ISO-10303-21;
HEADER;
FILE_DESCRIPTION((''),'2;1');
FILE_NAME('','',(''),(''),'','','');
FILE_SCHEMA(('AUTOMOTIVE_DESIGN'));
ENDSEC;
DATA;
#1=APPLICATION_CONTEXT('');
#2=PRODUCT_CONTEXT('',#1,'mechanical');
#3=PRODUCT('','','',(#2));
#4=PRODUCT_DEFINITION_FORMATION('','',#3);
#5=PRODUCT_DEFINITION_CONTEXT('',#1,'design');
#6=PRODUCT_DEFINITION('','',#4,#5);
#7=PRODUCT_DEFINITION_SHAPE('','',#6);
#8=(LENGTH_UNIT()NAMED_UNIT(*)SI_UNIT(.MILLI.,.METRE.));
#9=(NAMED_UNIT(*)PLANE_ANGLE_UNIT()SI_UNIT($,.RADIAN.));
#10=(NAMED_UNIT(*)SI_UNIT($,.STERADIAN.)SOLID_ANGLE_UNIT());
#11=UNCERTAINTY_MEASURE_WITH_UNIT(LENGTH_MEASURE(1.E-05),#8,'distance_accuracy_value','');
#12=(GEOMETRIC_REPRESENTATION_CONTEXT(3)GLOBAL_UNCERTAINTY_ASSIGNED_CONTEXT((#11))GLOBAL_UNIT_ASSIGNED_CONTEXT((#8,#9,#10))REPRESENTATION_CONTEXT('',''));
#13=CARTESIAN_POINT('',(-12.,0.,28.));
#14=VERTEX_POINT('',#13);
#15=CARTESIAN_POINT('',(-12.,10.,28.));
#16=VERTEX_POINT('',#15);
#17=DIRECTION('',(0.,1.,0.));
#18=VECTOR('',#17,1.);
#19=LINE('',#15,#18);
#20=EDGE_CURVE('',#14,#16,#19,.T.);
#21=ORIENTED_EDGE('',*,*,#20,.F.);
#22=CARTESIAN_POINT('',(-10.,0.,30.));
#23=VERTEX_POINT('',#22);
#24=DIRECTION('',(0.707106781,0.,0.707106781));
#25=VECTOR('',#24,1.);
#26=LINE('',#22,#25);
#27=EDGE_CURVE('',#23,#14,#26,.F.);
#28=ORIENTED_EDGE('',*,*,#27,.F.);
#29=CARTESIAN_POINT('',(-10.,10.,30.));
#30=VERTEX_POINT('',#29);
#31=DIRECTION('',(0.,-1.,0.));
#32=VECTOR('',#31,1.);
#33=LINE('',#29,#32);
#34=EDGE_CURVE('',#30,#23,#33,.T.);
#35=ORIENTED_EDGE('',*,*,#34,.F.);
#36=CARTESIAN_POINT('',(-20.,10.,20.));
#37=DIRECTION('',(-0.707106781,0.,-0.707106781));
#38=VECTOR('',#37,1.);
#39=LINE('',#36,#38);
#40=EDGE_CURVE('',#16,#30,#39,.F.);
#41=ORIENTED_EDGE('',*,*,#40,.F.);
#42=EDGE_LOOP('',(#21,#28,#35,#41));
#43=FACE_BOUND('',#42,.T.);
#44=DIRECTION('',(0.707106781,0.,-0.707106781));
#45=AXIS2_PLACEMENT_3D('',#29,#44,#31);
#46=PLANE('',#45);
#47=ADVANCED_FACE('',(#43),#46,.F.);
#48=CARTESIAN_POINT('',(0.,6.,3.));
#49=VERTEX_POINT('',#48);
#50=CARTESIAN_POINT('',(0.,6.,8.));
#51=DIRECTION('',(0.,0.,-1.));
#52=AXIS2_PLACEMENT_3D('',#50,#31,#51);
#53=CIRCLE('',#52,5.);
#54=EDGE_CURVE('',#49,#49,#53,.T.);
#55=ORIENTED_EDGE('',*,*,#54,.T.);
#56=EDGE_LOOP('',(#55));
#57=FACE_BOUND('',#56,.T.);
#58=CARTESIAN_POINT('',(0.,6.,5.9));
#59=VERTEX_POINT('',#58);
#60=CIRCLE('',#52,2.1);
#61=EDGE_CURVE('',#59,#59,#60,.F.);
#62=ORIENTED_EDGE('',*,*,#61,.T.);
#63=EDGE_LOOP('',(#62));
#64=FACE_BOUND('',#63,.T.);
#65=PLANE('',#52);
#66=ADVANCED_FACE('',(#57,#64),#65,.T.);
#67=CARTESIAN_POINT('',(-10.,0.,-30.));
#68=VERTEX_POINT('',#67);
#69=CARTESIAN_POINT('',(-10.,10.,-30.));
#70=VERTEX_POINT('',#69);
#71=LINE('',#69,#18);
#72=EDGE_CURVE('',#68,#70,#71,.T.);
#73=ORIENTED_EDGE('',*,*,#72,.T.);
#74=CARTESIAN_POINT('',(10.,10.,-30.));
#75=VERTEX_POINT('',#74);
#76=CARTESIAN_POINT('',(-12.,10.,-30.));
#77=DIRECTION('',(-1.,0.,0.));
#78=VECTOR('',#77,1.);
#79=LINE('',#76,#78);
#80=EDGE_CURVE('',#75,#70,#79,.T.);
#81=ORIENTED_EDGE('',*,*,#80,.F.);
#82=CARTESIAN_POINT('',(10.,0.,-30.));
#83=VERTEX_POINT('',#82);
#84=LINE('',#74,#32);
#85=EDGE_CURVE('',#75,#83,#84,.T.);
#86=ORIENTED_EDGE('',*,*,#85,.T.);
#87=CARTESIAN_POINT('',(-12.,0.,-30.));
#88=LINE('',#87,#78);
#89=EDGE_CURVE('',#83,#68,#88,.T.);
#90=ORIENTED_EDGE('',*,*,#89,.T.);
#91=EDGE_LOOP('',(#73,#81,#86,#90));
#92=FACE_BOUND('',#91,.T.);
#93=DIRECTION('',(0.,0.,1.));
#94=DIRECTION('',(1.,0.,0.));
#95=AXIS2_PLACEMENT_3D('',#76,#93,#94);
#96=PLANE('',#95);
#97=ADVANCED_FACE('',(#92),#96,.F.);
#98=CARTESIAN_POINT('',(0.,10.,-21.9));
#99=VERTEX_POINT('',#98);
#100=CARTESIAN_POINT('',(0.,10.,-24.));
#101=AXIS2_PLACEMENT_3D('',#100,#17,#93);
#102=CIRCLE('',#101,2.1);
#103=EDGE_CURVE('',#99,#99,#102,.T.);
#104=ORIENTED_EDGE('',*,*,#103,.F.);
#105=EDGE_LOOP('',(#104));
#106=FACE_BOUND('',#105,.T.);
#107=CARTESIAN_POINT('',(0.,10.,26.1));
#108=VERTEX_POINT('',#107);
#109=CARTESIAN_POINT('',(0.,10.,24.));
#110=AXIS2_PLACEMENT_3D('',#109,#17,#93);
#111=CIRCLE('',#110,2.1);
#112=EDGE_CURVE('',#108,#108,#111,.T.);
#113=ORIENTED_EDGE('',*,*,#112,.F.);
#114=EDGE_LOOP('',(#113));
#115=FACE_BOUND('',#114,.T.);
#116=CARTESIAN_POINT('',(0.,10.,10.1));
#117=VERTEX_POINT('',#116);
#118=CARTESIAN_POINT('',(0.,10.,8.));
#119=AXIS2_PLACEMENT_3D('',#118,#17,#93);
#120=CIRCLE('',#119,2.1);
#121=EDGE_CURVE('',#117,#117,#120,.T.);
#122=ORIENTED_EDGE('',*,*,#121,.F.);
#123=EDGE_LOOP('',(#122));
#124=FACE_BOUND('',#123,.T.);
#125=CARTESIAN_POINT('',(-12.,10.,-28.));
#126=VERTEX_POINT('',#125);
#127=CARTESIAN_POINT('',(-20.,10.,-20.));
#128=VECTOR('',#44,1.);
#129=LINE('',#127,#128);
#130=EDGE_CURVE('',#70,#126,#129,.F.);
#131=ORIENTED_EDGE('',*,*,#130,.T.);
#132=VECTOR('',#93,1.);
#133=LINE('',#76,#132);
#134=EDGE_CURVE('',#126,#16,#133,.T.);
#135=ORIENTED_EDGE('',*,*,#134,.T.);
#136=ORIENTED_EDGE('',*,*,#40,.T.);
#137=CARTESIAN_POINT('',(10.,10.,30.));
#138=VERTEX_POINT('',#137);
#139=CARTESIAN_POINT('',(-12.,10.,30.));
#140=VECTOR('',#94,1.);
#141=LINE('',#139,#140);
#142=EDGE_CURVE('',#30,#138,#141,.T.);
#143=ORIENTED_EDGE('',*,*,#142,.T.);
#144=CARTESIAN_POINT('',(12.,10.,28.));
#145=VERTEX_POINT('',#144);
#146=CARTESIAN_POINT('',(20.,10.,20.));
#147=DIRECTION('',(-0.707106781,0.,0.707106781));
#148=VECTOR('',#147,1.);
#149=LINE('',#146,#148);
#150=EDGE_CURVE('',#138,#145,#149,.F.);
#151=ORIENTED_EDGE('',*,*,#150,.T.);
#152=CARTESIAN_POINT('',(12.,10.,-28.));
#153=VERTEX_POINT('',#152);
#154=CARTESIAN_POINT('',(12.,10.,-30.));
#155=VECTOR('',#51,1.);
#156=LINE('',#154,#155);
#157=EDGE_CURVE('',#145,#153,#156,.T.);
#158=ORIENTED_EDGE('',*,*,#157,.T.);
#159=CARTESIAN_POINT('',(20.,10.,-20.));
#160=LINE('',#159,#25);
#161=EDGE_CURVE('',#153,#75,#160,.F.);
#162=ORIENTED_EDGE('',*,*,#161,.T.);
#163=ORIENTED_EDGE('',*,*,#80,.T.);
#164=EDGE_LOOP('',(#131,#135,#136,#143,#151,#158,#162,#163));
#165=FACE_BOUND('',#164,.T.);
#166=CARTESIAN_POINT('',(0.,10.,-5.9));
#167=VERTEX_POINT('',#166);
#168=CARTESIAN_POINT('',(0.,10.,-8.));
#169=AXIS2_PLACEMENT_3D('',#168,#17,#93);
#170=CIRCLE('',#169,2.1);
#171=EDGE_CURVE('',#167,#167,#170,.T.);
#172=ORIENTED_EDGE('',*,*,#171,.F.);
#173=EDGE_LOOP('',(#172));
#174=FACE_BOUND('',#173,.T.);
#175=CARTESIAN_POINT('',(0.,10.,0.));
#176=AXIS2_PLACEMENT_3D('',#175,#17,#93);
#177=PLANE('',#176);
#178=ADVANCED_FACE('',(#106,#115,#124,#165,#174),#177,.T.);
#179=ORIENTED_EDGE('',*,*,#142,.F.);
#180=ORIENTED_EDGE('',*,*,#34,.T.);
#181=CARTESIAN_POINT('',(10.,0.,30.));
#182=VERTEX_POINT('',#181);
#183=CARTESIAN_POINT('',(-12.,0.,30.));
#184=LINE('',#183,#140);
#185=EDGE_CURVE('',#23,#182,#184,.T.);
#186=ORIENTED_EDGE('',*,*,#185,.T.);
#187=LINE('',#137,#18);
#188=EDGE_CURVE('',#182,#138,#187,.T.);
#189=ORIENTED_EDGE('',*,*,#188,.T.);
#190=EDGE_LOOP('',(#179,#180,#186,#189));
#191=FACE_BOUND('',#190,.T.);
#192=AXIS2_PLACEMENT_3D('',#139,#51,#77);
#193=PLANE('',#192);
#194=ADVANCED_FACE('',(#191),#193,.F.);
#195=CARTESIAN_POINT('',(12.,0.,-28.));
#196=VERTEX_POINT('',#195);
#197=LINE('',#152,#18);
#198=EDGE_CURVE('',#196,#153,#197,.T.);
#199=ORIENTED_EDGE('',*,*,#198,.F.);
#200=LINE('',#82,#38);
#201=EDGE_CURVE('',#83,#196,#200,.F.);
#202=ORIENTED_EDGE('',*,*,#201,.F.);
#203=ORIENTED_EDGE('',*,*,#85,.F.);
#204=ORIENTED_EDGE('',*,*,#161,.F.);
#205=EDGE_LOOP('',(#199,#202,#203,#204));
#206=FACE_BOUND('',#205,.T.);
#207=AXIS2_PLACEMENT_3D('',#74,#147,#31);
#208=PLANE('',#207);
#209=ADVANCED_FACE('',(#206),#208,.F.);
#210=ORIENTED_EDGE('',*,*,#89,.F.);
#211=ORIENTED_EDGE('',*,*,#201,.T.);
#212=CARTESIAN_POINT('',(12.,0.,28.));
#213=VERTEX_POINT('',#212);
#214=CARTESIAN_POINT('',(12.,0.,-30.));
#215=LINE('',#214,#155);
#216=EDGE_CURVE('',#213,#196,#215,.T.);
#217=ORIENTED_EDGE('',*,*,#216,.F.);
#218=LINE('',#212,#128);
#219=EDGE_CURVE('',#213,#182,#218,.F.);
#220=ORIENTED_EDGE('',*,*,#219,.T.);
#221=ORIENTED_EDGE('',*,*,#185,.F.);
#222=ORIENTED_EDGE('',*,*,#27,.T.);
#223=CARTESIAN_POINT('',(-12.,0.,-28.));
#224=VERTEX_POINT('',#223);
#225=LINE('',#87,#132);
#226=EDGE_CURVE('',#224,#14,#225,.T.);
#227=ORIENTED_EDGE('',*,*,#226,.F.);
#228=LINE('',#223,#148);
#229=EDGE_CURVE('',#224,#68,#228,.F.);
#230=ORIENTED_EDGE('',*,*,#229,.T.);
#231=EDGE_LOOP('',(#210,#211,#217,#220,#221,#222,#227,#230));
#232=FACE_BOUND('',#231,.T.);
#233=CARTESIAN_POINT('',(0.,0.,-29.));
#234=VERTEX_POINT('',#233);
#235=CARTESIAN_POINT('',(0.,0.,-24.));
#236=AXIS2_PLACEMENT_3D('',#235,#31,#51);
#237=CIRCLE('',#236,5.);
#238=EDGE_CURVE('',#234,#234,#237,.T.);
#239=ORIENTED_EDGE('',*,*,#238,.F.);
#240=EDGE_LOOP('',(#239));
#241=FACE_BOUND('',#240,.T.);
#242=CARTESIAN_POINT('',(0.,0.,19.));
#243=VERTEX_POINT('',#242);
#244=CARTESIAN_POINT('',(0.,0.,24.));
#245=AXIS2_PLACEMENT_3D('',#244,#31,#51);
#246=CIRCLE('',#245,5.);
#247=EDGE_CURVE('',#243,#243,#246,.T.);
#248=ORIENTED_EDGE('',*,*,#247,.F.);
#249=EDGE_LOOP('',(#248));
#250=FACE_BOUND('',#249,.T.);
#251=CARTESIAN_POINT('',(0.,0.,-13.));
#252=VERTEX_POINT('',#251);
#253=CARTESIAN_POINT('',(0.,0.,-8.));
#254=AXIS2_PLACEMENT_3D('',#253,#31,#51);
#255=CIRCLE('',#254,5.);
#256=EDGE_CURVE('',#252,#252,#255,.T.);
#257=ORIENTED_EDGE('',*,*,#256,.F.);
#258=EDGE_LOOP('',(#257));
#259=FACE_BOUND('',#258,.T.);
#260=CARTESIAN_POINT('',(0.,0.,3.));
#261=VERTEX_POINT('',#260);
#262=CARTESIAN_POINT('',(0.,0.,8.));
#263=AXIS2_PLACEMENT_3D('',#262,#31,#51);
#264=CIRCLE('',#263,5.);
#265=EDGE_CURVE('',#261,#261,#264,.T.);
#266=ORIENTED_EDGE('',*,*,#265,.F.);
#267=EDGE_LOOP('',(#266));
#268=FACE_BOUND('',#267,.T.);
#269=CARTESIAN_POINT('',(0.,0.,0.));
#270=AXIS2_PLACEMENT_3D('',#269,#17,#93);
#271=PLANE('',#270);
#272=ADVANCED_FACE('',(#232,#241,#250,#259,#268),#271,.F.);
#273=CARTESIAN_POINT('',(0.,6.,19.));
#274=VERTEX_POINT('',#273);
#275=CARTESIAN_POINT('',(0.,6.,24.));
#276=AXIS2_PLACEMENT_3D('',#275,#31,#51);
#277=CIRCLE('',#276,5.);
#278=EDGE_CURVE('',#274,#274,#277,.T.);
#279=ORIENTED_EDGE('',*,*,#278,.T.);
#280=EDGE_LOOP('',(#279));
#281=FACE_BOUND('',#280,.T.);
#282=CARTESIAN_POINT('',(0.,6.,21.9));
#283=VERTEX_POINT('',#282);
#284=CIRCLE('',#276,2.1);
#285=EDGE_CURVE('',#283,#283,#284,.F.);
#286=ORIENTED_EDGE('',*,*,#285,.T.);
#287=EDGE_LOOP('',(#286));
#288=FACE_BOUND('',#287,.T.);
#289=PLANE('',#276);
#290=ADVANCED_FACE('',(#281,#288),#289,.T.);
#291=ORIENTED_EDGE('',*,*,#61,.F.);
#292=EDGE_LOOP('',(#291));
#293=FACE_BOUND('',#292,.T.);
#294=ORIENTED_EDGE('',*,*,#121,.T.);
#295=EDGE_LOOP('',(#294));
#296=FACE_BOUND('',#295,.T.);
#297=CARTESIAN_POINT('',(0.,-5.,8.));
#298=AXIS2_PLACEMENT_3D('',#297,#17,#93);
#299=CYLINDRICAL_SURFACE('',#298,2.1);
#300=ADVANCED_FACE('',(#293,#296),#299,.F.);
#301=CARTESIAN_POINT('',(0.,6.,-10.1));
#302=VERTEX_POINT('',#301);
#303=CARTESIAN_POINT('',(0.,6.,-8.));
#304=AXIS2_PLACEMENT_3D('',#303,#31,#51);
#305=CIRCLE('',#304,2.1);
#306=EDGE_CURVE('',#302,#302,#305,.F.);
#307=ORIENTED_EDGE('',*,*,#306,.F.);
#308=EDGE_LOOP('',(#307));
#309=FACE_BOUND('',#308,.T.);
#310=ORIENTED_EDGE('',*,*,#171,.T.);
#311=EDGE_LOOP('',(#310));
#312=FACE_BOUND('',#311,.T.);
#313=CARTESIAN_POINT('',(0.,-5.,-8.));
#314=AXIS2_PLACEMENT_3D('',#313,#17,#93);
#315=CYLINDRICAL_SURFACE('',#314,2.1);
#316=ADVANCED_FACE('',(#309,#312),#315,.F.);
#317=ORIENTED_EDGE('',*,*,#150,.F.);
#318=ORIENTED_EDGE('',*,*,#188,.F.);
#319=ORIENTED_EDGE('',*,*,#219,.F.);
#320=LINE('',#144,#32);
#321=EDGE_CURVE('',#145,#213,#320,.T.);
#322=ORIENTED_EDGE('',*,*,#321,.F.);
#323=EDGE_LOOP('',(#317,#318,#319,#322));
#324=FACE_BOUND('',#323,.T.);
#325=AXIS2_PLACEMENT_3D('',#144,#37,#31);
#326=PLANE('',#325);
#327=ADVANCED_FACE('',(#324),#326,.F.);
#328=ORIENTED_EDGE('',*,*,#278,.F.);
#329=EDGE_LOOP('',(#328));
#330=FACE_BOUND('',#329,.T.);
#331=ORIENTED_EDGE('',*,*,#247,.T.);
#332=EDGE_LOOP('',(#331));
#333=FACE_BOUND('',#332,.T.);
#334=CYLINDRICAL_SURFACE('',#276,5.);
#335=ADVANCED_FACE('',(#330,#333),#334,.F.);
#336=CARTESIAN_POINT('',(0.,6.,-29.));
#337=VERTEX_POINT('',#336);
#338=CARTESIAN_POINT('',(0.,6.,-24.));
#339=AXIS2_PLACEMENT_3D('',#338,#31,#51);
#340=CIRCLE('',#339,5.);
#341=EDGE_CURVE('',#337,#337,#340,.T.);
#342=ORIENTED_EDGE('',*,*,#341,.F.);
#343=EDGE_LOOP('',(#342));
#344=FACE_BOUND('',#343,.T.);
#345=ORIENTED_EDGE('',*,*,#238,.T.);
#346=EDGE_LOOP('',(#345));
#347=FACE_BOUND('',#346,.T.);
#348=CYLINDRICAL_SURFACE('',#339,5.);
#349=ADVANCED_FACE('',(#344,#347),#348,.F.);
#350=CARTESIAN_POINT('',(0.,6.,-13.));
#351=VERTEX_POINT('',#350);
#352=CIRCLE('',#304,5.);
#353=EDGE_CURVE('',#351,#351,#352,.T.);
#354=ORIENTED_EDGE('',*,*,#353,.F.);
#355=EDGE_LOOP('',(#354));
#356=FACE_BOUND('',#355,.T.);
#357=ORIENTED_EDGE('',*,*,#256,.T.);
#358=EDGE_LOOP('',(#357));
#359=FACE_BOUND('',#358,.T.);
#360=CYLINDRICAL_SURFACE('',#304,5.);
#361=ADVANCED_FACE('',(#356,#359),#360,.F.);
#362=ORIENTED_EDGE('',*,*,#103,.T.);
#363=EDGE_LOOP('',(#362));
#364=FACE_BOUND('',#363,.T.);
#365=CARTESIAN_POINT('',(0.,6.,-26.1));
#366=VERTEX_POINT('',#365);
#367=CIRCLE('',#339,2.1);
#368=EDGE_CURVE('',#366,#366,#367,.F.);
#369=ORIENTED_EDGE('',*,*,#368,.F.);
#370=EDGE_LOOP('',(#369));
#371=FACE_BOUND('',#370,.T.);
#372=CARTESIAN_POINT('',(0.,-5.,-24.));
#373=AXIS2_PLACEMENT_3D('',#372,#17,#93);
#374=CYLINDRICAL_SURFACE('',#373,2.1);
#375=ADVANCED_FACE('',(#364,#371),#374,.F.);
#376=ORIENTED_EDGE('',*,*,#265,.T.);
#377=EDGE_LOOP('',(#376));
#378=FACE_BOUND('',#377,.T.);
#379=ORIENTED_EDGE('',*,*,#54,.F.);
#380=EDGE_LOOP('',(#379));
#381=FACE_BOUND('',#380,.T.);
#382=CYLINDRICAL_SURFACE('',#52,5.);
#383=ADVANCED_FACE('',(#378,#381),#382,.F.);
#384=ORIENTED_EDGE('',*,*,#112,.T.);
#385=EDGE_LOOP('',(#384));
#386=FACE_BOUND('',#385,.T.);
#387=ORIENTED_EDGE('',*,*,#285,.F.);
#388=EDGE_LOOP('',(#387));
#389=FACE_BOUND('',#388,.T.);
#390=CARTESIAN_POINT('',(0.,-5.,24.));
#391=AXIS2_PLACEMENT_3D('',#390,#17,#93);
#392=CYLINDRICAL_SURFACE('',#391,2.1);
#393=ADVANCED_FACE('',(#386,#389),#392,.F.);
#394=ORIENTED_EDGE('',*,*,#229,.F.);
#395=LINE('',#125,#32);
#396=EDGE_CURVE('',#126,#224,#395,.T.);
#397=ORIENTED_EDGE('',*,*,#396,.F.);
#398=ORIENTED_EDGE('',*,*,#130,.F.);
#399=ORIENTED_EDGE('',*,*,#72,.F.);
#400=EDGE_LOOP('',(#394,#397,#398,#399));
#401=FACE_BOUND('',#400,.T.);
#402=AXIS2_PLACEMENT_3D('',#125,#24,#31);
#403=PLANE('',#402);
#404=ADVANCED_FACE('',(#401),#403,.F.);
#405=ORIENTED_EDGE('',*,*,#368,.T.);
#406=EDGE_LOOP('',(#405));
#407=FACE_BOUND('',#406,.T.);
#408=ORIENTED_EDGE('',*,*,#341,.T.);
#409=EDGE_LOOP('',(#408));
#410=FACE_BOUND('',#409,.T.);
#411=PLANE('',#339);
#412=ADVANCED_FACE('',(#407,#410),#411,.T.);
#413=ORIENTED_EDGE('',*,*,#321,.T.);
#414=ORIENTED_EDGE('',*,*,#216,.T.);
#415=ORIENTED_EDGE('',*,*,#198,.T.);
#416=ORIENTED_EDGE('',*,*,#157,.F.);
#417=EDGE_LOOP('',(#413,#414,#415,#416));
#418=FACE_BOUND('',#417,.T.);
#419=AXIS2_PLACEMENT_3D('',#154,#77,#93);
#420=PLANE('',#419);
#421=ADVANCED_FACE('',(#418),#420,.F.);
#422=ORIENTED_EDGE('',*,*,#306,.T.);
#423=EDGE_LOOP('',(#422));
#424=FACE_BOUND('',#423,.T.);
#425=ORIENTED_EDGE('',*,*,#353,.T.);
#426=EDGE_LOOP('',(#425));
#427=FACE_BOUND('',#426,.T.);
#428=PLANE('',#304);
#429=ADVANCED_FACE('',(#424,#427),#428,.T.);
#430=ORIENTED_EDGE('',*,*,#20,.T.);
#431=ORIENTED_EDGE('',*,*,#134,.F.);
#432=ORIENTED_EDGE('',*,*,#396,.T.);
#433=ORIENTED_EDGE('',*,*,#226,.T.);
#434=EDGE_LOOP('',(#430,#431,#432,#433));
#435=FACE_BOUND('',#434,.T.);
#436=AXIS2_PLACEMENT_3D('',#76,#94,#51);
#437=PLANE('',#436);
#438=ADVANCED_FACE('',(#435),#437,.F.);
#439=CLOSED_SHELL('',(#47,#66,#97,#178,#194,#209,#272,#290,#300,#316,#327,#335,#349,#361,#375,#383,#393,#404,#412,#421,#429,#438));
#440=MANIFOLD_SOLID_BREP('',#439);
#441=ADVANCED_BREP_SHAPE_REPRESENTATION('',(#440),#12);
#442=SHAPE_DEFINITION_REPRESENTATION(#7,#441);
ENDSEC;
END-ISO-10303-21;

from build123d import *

# Parameters (mm, degrees)
SKETCH_1_W          = 24
SKETCH_1_H          = 60
EXTRUDE_1_DEPTH     = 10
CHAMFER_1_SIZE      = 2
SKETCH_3_R          = 2.1
CUT_EXTRUDE_1_DEPTH = 15
SKETCH_4_R          = 5
CUT_EXTRUDE_2_DEPTH = 6


with BuildPart() as part:
    # 草图1 → 凸台-拉伸1 (new body)
    with BuildSketch(Plane(origin=(0, 0, 0), x_dir=(1, 0, 0), z_dir=(0, 1, 0))):
        Rectangle(SKETCH_1_W, SKETCH_1_H)
    extrude(amount=EXTRUDE_1_DEPTH)

    # 倒角1
    chamfer_1_edges = [part.edges().sort_by_distance(p)[0] for p in [
        (12, 5, 30),
        (-12, 5, 30),
        (-12, 5, -30),
        (12, 5, -30),
    ]]
    chamfer(chamfer_1_edges, length=CHAMFER_1_SIZE)

    # 草图3 → 切除-拉伸1 (cut)
    with BuildSketch(Plane(origin=(0, 10, 0), x_dir=(1, 0, 0), z_dir=(0, 1, 0))):
        with Locations(Location((0, -8, 0), (0, 0, 270))):
            Circle(SKETCH_3_R)
        with Locations(Location((0, 8, 0), (0, 0, 270))):
            Circle(SKETCH_3_R)
        with Locations(Location((0, -24, 0), (0, 0, 270))):
            Circle(SKETCH_3_R)
        with Locations(Location((0, 24, 0), (0, 0, 270))):
            Circle(SKETCH_3_R)
    extrude(amount=-CUT_EXTRUDE_1_DEPTH, mode=Mode.SUBTRACT)

    # 草图4 → 切除-拉伸2 (cut)
    with BuildSketch(Plane.XZ):
        with Locations(Location((0, -24, 0), (0, 0, 270))):
            Circle(SKETCH_4_R)
        with Locations(Location((0, -8, 0), (0, 0, 270))):
            Circle(SKETCH_4_R)
        with Locations(Location((0, 8, 0), (0, 0, 270))):
            Circle(SKETCH_4_R)
        with Locations(Location((0, 24, 0), (0, 0, 270))):
            Circle(SKETCH_4_R)
    extrude(amount=-CUT_EXTRUDE_2_DEPTH, mode=Mode.SUBTRACT)


solid = part.part
